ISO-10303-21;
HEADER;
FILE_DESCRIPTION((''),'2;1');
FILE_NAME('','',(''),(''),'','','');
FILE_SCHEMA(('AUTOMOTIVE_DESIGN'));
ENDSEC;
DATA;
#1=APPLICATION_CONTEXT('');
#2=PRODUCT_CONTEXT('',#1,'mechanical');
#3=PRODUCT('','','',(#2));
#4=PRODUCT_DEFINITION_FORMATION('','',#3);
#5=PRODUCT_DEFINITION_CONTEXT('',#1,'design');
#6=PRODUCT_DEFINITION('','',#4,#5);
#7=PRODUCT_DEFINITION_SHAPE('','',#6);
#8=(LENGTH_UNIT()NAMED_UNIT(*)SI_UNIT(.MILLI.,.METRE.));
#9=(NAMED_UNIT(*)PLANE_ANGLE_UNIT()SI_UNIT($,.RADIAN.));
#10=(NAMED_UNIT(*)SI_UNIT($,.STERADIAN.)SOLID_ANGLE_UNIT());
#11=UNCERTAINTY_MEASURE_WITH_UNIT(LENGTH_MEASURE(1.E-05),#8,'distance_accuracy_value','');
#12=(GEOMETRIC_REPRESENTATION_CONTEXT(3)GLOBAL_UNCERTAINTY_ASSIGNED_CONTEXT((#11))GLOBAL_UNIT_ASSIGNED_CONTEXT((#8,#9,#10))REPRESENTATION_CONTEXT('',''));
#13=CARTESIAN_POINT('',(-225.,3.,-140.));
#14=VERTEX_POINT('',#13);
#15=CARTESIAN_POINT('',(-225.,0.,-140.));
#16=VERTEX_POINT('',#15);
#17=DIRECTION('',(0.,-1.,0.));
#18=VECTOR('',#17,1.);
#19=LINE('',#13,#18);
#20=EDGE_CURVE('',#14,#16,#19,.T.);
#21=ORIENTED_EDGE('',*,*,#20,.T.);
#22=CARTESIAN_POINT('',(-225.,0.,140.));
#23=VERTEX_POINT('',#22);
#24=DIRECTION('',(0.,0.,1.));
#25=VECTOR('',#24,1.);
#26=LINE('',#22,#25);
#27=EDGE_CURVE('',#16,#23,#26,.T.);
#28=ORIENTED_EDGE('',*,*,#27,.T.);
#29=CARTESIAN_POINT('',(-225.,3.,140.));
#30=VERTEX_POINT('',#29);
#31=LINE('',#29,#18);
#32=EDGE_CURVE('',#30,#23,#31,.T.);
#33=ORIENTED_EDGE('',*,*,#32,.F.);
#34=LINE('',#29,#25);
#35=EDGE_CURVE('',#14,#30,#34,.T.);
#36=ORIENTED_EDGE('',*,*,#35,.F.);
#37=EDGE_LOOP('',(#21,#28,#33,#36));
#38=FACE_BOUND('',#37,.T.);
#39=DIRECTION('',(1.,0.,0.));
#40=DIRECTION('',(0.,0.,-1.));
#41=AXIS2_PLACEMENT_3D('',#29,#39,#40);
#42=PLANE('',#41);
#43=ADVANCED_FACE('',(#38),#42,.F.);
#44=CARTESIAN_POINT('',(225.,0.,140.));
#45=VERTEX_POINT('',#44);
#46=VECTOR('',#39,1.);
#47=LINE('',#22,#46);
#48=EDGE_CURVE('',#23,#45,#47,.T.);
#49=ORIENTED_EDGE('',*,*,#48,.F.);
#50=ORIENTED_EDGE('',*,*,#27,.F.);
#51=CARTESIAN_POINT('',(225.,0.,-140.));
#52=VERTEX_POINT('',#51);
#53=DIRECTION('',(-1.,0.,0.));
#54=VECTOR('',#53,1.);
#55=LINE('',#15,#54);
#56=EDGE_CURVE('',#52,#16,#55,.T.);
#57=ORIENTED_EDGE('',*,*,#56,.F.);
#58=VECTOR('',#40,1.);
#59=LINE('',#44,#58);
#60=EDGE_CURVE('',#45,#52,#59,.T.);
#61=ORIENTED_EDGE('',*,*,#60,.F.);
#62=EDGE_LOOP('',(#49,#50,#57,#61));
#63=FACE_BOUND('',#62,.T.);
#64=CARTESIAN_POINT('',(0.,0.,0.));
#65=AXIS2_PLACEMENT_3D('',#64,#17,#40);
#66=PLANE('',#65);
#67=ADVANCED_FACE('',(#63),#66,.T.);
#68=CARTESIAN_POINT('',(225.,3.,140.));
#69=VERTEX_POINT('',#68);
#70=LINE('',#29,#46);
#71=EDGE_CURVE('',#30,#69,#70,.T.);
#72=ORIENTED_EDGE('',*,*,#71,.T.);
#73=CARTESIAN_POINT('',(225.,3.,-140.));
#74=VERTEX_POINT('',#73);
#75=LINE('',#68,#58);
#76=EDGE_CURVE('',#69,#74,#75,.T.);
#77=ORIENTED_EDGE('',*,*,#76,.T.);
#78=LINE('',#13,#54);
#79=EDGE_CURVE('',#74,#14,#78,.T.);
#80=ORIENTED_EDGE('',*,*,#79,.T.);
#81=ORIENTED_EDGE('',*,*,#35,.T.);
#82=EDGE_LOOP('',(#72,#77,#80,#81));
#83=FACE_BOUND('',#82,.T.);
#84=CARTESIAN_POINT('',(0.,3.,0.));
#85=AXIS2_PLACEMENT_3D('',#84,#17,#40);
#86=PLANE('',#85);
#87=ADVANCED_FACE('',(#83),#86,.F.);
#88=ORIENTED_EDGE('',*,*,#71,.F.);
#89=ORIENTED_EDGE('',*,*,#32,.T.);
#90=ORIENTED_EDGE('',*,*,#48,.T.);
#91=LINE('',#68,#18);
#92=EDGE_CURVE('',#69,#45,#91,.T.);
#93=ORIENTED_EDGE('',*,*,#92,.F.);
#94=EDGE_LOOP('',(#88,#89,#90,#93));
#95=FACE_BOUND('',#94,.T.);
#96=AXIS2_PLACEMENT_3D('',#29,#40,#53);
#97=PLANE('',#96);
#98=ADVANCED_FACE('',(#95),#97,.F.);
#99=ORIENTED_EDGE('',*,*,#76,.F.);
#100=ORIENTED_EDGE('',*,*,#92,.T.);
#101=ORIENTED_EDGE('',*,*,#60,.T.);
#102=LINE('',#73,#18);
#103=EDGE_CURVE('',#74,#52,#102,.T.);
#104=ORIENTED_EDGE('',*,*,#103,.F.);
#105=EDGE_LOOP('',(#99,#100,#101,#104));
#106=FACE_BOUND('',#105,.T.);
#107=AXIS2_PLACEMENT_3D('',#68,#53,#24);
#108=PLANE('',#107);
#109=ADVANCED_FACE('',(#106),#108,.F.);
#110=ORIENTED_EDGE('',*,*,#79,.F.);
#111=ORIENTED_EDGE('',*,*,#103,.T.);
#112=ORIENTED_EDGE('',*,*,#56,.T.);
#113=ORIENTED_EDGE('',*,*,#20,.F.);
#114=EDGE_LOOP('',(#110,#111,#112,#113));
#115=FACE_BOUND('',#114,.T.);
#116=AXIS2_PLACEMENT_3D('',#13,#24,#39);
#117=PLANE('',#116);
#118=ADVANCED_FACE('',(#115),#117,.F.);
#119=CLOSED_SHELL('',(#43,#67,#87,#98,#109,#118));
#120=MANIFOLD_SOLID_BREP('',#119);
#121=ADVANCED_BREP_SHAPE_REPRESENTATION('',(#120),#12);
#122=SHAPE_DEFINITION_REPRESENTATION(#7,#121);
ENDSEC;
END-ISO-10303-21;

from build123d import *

# Parameters (mm, degrees)
SKETCH1_W           = 450
SKETCH1_H           = 280
BOSS_EXTRUDE1_DEPTH = 3


with BuildPart() as part:
    # Sketch1 → Boss-Extrude1 (new body)
    with BuildSketch(Plane(origin=(0, 0, 0), x_dir=(1, 0, 0), z_dir=(0, 1, 0))):
        Rectangle(SKETCH1_W, SKETCH1_H)
    extrude(amount=BOSS_EXTRUDE1_DEPTH)


solid = part.part
